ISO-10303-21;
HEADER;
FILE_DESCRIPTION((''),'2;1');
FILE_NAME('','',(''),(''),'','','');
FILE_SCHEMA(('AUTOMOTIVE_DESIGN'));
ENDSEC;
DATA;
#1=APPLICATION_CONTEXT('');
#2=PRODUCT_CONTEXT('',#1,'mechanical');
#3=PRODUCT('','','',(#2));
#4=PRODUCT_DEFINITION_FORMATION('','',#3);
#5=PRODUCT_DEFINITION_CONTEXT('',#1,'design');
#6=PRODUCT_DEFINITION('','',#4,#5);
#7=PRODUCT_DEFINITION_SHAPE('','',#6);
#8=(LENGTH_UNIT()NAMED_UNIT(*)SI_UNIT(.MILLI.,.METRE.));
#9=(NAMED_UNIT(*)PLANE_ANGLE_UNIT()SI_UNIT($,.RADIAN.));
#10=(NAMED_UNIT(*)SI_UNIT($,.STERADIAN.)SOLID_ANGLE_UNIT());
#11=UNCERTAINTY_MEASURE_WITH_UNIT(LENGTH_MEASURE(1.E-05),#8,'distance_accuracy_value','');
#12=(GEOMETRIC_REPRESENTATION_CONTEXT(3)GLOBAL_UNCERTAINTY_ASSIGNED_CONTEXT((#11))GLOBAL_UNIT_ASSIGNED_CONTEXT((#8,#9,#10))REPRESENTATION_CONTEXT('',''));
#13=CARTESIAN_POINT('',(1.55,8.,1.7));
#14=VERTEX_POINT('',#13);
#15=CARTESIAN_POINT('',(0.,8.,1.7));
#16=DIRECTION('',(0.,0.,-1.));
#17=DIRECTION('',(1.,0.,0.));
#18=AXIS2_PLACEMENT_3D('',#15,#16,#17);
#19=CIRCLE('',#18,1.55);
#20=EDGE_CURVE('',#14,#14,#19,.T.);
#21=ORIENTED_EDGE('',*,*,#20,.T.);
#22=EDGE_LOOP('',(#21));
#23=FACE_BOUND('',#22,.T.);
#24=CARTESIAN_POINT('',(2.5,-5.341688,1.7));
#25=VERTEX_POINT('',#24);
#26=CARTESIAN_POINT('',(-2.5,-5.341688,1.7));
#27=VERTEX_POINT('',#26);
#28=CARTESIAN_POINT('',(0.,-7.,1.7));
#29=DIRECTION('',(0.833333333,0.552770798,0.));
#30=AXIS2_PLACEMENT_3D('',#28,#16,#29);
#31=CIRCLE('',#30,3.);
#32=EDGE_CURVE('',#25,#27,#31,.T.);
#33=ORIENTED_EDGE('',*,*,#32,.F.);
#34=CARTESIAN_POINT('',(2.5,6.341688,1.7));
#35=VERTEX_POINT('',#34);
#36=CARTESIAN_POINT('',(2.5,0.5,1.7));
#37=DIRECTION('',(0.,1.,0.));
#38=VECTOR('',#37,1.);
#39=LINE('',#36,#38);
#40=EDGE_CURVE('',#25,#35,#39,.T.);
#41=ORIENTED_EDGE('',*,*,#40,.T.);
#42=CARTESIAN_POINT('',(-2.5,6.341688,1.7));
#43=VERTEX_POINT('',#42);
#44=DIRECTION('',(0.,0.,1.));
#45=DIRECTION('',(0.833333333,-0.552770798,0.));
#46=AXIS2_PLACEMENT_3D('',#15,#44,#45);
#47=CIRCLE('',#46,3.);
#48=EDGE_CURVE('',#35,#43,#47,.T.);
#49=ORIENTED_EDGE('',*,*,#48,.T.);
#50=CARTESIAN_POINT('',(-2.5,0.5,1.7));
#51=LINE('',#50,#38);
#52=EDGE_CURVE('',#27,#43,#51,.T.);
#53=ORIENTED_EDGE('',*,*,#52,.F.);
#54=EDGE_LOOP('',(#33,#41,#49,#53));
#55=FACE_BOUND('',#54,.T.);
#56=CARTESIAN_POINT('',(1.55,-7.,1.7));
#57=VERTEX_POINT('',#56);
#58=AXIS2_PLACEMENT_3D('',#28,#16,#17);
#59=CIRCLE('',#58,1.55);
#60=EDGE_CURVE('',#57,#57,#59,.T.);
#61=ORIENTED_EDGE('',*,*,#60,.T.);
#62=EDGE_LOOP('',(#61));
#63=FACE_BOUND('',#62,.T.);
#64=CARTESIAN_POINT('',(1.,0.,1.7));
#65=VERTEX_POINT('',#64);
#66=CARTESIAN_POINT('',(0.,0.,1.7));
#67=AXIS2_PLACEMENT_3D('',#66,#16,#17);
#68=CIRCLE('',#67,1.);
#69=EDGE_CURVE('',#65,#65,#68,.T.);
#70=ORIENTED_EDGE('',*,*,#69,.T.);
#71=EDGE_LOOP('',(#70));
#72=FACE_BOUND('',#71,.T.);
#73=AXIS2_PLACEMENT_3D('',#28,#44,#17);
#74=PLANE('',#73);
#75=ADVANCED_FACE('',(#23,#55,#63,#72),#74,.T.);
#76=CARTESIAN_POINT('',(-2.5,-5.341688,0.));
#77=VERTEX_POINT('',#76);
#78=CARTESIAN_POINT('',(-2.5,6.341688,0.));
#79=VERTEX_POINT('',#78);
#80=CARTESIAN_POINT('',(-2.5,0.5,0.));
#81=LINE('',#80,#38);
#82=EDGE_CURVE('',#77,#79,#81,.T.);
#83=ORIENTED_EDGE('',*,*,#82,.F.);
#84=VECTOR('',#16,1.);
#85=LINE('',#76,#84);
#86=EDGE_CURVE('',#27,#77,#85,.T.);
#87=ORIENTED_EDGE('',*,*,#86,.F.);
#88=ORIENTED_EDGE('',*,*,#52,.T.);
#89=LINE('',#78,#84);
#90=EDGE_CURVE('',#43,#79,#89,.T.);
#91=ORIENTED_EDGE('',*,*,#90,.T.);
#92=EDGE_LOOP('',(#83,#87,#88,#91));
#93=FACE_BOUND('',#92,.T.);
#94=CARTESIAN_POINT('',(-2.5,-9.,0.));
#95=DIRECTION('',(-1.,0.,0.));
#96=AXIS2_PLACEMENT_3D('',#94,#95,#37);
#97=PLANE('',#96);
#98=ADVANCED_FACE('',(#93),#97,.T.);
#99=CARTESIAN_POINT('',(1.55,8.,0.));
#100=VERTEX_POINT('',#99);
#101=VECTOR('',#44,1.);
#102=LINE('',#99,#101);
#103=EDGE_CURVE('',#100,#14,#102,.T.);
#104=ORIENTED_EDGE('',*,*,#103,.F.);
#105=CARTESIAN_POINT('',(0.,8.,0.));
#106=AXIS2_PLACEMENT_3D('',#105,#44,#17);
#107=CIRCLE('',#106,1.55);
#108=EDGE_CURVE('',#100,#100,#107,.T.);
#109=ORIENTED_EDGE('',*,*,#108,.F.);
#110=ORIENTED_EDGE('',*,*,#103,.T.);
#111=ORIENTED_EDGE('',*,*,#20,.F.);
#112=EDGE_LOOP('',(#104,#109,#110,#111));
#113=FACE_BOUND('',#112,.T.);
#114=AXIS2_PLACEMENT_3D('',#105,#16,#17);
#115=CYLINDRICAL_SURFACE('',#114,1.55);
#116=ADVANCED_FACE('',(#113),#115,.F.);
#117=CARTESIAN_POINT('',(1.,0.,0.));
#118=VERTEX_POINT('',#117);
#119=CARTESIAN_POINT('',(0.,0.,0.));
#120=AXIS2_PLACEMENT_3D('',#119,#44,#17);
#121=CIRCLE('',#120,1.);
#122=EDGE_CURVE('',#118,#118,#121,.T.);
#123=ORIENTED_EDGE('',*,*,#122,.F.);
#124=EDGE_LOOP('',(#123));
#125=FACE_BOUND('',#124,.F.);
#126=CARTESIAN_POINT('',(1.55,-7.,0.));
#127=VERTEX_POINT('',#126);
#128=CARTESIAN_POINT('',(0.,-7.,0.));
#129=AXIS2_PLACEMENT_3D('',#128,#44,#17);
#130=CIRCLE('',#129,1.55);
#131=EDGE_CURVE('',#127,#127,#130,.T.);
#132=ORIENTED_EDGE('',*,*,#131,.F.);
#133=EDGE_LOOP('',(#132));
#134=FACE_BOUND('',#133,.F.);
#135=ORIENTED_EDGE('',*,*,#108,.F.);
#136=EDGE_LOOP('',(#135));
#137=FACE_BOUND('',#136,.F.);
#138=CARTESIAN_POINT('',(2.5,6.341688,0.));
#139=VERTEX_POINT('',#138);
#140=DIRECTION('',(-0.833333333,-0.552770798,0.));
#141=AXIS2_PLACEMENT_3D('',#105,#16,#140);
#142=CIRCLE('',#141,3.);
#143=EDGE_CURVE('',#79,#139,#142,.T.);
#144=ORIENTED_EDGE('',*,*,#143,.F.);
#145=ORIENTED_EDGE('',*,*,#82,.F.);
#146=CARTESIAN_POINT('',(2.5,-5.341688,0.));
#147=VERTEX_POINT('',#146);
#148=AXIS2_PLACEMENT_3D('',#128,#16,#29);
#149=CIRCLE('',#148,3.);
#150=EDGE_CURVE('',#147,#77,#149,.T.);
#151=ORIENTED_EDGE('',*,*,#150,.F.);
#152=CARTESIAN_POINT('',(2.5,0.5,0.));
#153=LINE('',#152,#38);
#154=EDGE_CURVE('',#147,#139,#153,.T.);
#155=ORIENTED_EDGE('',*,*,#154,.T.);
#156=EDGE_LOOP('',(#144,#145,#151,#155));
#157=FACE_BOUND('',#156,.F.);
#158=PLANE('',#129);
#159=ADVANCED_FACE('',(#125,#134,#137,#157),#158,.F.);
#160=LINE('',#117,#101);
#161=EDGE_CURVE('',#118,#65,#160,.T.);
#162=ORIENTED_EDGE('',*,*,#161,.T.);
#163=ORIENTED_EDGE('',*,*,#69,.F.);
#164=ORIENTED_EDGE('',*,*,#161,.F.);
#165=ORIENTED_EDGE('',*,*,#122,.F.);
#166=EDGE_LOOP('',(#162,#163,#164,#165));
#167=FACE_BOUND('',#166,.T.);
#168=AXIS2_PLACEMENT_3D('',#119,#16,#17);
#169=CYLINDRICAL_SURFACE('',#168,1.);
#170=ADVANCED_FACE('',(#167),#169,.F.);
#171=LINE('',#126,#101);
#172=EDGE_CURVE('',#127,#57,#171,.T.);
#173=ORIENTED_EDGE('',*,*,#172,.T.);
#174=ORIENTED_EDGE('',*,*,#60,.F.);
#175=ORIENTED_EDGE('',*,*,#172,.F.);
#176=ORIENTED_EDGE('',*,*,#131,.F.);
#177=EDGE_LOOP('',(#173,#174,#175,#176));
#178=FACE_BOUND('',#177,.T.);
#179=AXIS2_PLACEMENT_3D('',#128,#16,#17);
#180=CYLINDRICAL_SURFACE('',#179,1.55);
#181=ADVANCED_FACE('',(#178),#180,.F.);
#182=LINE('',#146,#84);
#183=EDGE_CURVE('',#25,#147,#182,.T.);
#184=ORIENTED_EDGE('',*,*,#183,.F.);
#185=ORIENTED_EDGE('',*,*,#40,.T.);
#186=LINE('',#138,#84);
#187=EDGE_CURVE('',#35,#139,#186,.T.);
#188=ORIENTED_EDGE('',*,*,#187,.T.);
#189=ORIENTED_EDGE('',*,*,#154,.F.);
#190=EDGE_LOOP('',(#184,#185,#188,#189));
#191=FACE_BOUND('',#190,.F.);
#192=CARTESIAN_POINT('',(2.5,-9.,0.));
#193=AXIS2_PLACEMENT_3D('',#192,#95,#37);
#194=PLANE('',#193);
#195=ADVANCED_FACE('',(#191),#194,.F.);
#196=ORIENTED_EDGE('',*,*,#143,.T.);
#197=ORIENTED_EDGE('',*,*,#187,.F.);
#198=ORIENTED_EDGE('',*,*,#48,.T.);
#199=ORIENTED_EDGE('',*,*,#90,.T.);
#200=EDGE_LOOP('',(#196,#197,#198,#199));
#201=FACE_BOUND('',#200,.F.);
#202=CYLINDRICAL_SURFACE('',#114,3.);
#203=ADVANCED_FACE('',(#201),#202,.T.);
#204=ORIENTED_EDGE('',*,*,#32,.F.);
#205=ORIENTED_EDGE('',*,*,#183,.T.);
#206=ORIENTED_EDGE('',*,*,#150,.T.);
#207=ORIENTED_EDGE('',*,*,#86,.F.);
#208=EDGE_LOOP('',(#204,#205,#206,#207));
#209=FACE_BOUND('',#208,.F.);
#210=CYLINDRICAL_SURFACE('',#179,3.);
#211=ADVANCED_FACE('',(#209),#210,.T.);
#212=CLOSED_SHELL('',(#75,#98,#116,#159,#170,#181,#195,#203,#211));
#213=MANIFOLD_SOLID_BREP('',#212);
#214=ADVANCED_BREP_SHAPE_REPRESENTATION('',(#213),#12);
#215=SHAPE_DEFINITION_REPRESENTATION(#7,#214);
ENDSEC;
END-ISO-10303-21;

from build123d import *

# Parameters (mm, degrees)
CYLINDER010_R     = 1.55
CYLINDER010_DEPTH = 10
CYLINDER_R        = 1
CYLINDER_DEPTH    = 10
CYLINDER009_R     = 1.55
CYLINDER009_DEPTH = 10
CYLINDER011_R     = 3
CYLINDER011_DEPTH = 1.7
BOX_W             = 5
BOX_H             = 19
BOX_DEPTH         = 1.7
FILLET_R          = 1
CYLINDER012_R     = 3
CYLINDER012_DEPTH = 1.7


with BuildPart() as threadedhole006:
    # Cylinder010 → Cylinder010 (new body)
    with BuildSketch(Plane(origin=(0, 8, 0), x_dir=(1, 0, 0), z_dir=(0, 0, 1))):
        Circle(CYLINDER010_R)
    extrude(amount=CYLINDER010_DEPTH)


with BuildPart() as cylinder:
    # Cylinder → Cylinder (new body)
    with BuildSketch(Plane.XY):
        Circle(CYLINDER_R)
    extrude(amount=CYLINDER_DEPTH)


with BuildPart() as fusion005:
    # Cylinder009 → Cylinder009 (new body)
    with BuildSketch(Plane(origin=(0, -7, 0), x_dir=(1, 0, 0), z_dir=(0, 0, 1))):
        Circle(CYLINDER009_R)
    extrude(amount=CYLINDER009_DEPTH)

    # Fusion005: union ThreadedHole006, Cylinder
    add(threadedhole006.part)
    add(cylinder.part)


with BuildPart() as threadedhole007:
    # Cylinder011 → Cylinder011 (new body)
    with BuildSketch(Plane(origin=(0, 8, 0), x_dir=(1, 0, 0), z_dir=(0, 0, 1))):
        Circle(CYLINDER011_R)
    extrude(amount=CYLINDER011_DEPTH)


with BuildPart() as fillet_body:
    # Box → Box (new body)
    with BuildSketch(Plane(origin=(-2.5, -9, 0), x_dir=(1, 0, 0), z_dir=(0, 0, 1))):
        with Locations((2.5, 9.5)):
            Rectangle(BOX_W, BOX_H)
    extrude(amount=BOX_DEPTH)

    # Fillet
    fillet_edges = [fillet_body.edges().sort_by_distance(p)[0] for p in [
        (-2.5, -9, 0.85),
        (-2.5, 10, 0.85),
        (2.5, -9, 0.85),
        (2.5, 10, 0.85),
    ]]
    fillet(fillet_edges, radius=FILLET_R)


with BuildPart() as cut:
    # Cylinder012 → Cylinder012 (new body)
    with BuildSketch(Plane(origin=(0, -7, 0), x_dir=(1, 0, 0), z_dir=(0, 0, 1))):
        Circle(CYLINDER012_R)
    extrude(amount=CYLINDER012_DEPTH)

    # Fusion: union ThreadedHole007, Fillet body
    add(threadedhole007.part)
    add(fillet_body.part)

    # Cut: cut Fusion005
    add(fusion005.part, mode=Mode.SUBTRACT)


solid = cut.part
